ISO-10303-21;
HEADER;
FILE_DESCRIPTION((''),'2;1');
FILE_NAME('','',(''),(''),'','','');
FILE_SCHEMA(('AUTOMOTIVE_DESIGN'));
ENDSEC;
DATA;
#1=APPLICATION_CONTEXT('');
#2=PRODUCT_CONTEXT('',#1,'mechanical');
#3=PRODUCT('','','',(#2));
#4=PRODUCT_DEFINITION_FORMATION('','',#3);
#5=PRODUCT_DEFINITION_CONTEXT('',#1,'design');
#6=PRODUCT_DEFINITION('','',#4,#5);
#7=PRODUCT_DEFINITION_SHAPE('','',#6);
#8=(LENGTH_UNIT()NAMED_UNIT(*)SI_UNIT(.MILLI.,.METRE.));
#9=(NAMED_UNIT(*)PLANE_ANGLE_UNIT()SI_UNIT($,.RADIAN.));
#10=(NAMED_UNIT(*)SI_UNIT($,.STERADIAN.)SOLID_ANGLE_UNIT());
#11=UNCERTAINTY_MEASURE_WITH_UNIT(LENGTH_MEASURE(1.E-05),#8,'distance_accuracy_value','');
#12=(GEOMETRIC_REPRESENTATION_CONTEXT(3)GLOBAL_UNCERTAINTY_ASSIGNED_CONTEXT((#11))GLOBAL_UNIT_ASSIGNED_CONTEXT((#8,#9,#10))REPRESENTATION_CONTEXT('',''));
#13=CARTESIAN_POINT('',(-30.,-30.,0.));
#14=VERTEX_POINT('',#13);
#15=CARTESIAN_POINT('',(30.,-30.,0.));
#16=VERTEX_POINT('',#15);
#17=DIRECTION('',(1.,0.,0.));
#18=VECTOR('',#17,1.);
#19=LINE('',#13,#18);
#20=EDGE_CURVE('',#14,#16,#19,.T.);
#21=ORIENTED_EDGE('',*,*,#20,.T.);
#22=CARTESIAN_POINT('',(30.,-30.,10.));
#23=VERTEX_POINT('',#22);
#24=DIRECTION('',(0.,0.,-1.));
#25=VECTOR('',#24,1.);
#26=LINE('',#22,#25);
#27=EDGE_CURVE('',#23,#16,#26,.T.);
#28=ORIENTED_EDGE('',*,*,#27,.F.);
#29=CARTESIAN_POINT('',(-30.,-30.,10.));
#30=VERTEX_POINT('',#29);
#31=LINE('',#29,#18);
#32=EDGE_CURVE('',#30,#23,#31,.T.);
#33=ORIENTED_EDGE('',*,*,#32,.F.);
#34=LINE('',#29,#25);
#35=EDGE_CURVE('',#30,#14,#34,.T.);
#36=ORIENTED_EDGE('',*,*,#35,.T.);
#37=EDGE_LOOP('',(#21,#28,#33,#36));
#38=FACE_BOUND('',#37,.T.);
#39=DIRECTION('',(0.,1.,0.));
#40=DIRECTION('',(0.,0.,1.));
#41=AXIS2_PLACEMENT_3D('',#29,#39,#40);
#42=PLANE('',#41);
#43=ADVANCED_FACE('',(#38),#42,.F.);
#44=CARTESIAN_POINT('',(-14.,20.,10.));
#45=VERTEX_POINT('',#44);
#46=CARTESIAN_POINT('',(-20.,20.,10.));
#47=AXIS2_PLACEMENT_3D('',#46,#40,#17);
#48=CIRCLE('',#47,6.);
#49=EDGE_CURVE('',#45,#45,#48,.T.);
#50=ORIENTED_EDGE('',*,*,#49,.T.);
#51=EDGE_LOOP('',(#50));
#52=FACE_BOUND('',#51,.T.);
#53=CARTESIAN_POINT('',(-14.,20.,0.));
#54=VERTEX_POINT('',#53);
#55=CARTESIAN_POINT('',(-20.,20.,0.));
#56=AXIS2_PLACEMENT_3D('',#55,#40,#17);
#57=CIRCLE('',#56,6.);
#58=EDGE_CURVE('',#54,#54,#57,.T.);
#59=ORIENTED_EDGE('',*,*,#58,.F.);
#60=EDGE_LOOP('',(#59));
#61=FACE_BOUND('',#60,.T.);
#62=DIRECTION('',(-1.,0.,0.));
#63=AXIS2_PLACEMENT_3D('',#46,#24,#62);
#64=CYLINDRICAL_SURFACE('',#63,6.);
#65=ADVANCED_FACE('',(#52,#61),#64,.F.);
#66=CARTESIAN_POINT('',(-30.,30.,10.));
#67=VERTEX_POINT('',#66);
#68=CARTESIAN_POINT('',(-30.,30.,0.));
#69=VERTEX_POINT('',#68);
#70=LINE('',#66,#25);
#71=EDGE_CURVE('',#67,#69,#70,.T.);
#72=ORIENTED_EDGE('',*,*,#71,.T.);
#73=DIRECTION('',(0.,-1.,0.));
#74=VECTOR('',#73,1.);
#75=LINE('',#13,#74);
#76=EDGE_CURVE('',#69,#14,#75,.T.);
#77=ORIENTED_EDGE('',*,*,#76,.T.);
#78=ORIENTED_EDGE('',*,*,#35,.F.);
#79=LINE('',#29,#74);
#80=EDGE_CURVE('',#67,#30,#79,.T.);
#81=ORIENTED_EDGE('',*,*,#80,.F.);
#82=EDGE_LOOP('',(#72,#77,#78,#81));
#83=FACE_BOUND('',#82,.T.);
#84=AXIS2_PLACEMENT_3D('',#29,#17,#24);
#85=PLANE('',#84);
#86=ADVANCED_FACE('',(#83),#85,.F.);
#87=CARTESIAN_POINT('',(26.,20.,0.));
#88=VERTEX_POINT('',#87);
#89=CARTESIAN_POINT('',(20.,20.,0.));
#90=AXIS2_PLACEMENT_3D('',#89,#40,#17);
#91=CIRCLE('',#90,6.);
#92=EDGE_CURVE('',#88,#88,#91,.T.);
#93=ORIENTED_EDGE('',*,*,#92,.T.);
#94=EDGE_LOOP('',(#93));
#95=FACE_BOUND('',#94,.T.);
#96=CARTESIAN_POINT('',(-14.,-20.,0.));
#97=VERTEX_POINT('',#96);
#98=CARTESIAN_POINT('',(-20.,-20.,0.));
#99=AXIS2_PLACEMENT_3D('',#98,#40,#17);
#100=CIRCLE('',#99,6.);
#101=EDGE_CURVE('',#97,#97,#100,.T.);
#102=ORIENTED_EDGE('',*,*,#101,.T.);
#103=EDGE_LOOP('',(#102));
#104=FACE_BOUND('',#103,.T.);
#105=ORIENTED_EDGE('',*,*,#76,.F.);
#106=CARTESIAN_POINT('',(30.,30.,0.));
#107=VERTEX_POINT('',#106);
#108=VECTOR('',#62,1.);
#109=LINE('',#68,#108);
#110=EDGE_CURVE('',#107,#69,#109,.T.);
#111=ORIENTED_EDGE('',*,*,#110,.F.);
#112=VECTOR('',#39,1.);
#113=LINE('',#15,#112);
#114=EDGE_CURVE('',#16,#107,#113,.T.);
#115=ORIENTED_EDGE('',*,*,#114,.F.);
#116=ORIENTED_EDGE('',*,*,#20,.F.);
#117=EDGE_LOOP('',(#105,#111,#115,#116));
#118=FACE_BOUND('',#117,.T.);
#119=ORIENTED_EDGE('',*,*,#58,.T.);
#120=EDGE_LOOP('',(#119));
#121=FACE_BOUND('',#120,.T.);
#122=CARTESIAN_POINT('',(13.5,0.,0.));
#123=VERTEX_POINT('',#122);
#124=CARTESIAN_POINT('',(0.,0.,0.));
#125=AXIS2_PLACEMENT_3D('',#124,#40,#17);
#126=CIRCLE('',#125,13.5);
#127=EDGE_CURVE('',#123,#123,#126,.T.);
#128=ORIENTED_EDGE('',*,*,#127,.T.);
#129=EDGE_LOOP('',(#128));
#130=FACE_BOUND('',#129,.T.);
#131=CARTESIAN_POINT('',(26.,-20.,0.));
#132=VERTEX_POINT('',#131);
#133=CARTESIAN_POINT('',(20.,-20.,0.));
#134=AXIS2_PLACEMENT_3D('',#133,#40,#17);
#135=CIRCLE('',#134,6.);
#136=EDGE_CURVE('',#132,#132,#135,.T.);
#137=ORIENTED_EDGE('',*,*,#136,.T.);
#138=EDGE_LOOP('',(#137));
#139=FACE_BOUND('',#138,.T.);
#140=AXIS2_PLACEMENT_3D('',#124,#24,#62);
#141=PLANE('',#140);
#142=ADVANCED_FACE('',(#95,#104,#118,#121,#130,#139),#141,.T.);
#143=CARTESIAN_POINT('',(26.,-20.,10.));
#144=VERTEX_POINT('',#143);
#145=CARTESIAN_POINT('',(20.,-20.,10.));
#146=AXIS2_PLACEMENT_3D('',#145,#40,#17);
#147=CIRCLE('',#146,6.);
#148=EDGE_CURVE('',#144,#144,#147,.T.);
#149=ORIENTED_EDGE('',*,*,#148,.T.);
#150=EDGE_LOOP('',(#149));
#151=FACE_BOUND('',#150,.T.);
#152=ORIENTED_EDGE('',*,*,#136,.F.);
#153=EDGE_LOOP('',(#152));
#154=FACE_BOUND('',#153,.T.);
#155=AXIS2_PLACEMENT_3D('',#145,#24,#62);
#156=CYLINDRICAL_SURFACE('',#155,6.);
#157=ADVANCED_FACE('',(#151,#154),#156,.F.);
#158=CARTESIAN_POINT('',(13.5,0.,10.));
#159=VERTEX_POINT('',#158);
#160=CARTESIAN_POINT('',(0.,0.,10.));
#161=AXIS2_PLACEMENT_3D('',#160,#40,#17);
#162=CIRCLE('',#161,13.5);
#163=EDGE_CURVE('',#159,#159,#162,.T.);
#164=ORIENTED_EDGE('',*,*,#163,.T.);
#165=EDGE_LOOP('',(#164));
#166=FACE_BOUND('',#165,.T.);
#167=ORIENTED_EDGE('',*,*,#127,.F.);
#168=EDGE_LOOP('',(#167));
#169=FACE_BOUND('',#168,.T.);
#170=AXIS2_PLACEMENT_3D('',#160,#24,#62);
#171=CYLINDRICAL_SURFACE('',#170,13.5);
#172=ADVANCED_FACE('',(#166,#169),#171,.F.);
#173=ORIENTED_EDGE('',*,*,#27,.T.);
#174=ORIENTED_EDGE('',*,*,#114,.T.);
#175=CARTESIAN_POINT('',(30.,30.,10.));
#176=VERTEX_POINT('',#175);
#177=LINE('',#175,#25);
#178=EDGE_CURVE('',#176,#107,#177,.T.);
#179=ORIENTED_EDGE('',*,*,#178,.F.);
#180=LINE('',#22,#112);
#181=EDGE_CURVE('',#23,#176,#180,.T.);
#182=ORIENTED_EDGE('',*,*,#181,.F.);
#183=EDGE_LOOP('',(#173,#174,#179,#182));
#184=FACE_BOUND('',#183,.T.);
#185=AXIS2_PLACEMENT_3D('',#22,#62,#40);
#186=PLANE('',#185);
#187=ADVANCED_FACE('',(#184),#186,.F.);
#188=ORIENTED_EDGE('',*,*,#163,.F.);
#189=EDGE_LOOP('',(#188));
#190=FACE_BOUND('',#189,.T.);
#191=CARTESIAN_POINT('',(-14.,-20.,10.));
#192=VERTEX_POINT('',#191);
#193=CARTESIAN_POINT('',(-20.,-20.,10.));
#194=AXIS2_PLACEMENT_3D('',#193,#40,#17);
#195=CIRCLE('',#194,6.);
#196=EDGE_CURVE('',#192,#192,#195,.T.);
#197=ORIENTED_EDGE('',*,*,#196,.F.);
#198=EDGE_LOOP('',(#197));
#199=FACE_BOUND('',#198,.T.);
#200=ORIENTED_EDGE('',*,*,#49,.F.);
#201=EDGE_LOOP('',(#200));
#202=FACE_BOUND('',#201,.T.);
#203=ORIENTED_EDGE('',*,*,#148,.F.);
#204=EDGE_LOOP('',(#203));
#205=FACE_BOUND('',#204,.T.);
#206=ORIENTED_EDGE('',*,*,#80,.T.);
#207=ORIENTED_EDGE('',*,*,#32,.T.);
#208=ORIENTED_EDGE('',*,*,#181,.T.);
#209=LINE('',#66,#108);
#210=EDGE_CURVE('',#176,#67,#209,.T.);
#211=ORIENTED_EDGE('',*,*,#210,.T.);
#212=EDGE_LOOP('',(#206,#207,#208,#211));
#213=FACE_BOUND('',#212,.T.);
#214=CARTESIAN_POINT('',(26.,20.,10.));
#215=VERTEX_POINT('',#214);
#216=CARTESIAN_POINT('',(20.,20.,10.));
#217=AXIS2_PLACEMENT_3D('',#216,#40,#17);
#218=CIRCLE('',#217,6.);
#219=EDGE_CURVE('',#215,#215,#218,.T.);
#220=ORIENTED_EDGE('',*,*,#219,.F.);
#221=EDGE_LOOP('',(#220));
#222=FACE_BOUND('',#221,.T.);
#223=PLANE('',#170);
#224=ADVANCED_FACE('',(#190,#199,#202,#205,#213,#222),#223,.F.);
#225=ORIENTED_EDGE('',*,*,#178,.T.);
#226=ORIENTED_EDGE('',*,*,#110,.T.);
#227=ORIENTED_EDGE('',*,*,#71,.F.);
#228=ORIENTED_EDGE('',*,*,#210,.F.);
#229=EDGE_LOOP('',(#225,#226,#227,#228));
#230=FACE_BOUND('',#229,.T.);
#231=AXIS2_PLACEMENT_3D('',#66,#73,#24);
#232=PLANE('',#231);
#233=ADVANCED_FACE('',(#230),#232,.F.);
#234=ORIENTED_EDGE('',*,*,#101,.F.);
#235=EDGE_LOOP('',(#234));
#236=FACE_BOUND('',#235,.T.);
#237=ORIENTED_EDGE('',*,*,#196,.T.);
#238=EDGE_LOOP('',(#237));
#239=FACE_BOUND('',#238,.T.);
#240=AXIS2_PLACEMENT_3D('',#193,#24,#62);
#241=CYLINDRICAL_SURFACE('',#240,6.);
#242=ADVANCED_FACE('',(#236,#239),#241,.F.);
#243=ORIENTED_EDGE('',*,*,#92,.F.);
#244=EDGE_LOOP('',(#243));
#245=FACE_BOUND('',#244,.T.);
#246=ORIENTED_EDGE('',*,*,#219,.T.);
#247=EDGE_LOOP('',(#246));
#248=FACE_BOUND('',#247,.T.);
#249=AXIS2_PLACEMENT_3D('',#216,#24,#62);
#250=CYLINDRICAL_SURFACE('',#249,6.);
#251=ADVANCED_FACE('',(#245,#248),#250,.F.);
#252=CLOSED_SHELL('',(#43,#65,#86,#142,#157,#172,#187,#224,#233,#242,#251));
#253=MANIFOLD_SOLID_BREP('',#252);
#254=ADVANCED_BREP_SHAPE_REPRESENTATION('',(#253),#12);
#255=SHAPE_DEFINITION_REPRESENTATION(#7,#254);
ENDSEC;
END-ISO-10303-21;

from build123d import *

# Parameters (mm, degrees)
IZIM1_W                     = 60
IZIM1_H                     = 60
IZIM1_R                     = 13.5
IZIM1_R_2                   = 6
Y_KSEKLIK_EKSTR_ZYON1_DEPTH = 10


with BuildPart() as part:
    # Çizim1 → Yükseklik-Ekstrüzyon1 (new body)
    with BuildSketch(Plane.XY):
        Rectangle(IZIM1_W, IZIM1_H)
        Circle(IZIM1_R, mode=Mode.SUBTRACT)
        with Locations((20, 20)):
            Circle(IZIM1_R_2, mode=Mode.SUBTRACT)
        with Locations((-20, 20)):
            Circle(IZIM1_R_2, mode=Mode.SUBTRACT)
        with Locations((20, -20)):
            Circle(IZIM1_R_2, mode=Mode.SUBTRACT)
        with Locations((-20, -20)):
            Circle(IZIM1_R_2, mode=Mode.SUBTRACT)
    extrude(amount=Y_KSEKLIK_EKSTR_ZYON1_DEPTH)


solid = part.part
